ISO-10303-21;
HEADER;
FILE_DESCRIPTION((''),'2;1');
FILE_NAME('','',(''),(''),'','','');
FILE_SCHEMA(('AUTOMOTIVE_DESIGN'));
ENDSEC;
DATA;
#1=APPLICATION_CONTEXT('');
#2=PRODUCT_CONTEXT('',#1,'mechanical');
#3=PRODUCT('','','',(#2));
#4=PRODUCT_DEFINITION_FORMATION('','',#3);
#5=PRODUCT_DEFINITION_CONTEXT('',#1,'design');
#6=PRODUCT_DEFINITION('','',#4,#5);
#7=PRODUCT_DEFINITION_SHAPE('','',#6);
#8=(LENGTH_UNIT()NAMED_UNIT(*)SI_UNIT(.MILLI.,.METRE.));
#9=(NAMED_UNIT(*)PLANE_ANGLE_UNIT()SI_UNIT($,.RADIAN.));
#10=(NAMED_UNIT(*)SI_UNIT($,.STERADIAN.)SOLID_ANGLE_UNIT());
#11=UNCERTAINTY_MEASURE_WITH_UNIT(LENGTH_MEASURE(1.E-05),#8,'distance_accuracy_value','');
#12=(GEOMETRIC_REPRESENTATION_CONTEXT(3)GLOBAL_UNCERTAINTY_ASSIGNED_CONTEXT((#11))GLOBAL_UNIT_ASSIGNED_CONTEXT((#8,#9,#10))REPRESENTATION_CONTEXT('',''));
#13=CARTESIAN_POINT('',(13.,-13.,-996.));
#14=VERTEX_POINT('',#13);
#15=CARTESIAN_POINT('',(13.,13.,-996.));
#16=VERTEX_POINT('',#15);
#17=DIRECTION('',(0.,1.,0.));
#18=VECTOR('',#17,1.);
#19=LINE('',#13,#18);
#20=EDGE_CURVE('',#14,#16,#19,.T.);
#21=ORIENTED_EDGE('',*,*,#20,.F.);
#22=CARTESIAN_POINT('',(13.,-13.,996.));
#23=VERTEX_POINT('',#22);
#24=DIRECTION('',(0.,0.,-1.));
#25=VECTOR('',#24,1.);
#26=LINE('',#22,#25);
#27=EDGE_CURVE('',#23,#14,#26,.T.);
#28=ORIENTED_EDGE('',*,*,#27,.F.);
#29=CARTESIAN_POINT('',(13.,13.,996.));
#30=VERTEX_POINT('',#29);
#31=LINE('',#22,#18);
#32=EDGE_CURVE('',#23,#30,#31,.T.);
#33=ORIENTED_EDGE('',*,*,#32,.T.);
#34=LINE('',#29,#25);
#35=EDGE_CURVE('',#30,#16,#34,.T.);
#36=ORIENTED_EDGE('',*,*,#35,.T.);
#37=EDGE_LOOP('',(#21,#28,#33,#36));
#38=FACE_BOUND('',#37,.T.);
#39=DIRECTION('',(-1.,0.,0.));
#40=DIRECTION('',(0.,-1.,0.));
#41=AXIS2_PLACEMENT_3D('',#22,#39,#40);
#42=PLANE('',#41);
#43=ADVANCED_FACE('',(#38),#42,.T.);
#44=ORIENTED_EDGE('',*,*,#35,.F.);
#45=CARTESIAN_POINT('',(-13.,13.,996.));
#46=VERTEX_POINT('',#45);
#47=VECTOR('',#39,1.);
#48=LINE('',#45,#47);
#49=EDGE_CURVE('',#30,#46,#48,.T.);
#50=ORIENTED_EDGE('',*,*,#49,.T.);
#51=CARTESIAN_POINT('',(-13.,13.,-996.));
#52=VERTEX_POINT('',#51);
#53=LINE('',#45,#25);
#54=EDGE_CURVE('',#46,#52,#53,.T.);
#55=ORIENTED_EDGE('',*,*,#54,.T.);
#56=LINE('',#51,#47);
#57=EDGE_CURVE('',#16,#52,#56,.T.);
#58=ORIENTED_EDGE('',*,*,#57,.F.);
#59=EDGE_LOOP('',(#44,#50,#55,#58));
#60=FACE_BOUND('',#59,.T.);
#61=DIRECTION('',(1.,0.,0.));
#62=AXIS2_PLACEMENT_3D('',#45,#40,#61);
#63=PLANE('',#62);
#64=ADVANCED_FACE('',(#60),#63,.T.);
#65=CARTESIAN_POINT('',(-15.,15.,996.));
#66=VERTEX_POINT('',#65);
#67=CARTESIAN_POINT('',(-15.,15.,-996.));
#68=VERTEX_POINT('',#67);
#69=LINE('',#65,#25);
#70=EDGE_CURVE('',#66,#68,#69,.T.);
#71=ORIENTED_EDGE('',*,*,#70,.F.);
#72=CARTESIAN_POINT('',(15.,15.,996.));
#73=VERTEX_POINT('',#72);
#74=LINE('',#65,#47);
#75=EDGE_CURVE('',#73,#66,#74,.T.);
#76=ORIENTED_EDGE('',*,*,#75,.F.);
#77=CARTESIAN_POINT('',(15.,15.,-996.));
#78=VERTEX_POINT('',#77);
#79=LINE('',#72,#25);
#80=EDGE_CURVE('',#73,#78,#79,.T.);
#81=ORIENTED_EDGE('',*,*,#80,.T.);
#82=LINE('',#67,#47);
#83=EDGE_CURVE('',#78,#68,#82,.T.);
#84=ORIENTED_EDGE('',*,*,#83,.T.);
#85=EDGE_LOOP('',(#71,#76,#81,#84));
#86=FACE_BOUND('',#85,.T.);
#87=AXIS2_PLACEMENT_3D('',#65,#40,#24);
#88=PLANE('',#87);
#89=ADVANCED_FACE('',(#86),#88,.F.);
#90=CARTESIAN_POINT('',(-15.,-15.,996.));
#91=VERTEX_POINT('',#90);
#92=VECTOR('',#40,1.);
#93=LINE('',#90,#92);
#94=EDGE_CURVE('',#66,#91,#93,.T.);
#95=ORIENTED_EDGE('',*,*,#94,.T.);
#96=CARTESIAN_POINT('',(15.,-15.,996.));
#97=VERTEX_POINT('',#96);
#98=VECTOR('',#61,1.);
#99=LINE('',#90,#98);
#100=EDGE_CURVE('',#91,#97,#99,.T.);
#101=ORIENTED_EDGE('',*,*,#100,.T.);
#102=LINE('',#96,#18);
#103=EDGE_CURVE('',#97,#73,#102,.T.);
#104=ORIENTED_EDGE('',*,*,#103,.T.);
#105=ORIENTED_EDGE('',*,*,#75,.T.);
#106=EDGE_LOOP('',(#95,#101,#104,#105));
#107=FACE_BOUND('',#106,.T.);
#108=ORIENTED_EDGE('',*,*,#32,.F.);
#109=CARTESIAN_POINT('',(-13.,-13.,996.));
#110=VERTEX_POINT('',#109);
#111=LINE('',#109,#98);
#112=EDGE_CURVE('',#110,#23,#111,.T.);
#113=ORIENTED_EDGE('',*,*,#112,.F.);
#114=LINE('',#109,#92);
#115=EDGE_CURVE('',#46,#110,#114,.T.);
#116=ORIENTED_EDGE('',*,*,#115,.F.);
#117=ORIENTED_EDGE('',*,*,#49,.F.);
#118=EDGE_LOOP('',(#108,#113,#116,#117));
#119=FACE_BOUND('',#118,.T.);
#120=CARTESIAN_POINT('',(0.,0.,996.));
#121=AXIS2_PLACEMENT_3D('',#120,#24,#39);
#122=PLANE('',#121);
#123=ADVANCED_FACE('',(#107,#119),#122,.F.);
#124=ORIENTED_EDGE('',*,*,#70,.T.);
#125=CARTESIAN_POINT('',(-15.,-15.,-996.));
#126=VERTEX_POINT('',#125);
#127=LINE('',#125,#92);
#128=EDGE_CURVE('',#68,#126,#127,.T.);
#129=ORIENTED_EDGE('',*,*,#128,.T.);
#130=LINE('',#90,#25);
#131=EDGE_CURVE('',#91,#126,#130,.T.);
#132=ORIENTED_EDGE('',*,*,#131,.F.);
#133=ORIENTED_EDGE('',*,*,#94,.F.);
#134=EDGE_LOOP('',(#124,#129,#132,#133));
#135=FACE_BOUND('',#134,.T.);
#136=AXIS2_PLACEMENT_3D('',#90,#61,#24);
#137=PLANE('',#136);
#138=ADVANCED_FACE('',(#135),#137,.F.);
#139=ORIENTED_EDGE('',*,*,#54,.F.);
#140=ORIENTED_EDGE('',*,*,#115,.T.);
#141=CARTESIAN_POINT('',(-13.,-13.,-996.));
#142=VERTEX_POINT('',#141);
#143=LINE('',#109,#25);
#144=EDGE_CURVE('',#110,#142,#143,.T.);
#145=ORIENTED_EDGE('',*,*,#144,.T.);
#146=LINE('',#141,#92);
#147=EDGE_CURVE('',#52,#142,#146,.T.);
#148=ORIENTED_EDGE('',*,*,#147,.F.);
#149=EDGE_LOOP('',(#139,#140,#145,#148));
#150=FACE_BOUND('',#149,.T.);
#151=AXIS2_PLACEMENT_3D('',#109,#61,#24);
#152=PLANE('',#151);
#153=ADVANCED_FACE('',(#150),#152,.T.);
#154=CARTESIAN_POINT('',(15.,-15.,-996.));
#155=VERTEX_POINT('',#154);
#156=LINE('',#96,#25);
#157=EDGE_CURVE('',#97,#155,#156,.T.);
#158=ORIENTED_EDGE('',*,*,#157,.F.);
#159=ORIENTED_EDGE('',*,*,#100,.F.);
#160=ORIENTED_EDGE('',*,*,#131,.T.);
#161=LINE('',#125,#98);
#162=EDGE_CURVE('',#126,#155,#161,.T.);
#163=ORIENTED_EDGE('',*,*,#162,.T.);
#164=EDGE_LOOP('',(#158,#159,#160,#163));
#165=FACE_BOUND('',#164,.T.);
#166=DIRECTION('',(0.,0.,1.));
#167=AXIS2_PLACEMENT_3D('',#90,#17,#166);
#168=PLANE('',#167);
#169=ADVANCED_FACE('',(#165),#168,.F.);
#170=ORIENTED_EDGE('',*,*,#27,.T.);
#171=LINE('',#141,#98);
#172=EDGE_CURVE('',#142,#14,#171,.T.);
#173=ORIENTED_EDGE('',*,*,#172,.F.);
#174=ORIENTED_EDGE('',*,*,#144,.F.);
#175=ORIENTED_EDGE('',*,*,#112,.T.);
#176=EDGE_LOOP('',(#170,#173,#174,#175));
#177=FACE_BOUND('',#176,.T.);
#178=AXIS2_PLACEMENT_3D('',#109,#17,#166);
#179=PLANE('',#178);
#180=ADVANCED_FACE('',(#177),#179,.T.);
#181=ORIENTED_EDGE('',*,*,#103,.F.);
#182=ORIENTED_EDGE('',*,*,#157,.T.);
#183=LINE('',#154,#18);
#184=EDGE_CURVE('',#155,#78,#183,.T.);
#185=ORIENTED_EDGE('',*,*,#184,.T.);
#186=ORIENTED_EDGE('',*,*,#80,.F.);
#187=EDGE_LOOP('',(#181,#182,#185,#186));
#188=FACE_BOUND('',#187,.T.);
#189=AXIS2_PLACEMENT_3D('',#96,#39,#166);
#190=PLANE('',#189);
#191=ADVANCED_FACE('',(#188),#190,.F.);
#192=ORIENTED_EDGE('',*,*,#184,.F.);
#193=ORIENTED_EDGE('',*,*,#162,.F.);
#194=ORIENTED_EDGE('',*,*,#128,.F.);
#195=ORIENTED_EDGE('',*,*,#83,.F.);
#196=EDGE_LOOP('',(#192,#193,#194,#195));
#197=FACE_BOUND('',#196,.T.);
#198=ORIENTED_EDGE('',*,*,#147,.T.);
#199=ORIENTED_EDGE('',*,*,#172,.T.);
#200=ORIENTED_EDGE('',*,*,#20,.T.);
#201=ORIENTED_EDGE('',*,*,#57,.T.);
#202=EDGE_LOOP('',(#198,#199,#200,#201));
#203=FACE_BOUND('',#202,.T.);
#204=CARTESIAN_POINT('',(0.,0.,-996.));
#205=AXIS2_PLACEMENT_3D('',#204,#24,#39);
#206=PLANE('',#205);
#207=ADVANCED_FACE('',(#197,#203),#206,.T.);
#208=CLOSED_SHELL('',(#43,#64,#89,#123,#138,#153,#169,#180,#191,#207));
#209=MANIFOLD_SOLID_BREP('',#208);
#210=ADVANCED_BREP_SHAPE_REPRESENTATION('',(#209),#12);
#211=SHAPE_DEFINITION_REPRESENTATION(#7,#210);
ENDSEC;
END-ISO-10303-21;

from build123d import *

# Parameters (mm, degrees)
SKETCH1_W           = 30
SKETCH1_H           = 30
SKETCH1_W_2         = 26
SKETCH1_H_2         = 26
BOSS_EXTRUDE1_DEPTH = 996


with BuildPart() as part:
    # Sketch1 → Boss-Extrude1 (new body, symmetric)
    with BuildSketch(Plane.XY):
        Rectangle(SKETCH1_W, SKETCH1_H)
        Rectangle(SKETCH1_W_2, SKETCH1_H_2, mode=Mode.SUBTRACT)
    extrude(amount=BOSS_EXTRUDE1_DEPTH, both=True)


solid = part.part
